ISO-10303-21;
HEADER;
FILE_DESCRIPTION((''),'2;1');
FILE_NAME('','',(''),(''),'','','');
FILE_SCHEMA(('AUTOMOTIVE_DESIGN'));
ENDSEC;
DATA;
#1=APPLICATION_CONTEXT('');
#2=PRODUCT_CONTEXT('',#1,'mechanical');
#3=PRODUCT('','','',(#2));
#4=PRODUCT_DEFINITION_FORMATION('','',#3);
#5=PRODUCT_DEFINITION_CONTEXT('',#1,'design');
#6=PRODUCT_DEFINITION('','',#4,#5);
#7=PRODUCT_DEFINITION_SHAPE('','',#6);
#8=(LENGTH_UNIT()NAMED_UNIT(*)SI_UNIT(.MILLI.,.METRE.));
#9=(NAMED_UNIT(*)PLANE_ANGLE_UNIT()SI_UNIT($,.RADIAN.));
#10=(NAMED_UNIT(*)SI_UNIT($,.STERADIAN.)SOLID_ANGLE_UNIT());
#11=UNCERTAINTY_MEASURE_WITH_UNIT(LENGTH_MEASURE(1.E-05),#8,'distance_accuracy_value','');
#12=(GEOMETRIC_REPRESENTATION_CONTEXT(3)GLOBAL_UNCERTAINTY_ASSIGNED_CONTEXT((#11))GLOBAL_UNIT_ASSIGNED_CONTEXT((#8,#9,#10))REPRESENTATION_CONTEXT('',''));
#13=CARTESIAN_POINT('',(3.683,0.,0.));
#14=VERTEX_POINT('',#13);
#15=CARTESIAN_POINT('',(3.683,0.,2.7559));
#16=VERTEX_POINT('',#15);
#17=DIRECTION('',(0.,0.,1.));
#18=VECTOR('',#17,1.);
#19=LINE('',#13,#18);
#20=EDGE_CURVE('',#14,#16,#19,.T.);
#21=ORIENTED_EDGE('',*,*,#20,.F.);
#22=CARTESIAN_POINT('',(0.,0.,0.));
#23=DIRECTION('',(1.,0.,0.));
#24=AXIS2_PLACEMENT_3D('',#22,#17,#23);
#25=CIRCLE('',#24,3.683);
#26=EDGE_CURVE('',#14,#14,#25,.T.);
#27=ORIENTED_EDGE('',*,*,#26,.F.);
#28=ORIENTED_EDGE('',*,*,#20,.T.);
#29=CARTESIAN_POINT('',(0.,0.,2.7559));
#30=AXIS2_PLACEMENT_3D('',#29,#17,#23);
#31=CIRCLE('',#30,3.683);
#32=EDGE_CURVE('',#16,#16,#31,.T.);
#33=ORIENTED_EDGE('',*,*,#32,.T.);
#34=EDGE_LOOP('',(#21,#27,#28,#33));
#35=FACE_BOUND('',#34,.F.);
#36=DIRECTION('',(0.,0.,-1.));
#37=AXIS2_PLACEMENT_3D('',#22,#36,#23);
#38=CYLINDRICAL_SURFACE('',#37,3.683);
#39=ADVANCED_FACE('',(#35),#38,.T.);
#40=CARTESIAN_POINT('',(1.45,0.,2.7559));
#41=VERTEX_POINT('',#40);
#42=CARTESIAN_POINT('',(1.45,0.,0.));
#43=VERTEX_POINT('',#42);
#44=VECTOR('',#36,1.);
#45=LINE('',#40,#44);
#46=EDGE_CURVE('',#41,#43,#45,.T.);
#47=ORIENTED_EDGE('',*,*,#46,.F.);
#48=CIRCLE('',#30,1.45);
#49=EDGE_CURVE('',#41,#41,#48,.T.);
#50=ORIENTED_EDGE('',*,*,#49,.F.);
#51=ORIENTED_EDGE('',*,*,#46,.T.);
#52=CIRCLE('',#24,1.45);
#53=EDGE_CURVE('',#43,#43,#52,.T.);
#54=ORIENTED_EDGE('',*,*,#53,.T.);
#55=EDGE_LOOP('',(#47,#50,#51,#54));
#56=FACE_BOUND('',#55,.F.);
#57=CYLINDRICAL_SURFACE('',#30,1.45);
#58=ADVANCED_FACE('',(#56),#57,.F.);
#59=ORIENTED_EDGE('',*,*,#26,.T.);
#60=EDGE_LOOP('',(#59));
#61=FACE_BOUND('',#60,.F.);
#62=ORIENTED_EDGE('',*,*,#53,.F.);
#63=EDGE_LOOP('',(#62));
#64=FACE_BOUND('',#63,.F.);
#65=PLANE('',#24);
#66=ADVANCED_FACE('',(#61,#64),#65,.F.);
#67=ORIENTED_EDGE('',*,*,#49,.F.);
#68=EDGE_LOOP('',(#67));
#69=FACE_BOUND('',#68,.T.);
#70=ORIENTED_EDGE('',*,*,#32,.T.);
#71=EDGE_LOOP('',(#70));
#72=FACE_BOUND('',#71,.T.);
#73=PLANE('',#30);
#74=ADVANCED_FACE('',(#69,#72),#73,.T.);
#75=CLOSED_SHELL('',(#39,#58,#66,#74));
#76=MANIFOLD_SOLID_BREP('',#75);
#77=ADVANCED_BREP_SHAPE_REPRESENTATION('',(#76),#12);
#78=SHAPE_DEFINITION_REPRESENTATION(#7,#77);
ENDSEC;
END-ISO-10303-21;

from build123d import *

# Parameters (mm, degrees)
SKETCH_R    = 3.683
PAD_DEPTH   = 2.7559
SKETCH001_R = 1.45
HOLE_DEPTH  = 24.9936


with BuildPart() as part:
    # Sketch → Pad (new body)
    with BuildSketch(Plane.XY):
        Circle(SKETCH_R)
    extrude(amount=PAD_DEPTH)

    # Sketch001 (on Face3 of Pad) → Hole (cut)
    with BuildSketch(Plane.XY.offset(2.7559)):
        Circle(SKETCH001_R)
    extrude(amount=-HOLE_DEPTH, mode=Mode.SUBTRACT)


solid = part.part
